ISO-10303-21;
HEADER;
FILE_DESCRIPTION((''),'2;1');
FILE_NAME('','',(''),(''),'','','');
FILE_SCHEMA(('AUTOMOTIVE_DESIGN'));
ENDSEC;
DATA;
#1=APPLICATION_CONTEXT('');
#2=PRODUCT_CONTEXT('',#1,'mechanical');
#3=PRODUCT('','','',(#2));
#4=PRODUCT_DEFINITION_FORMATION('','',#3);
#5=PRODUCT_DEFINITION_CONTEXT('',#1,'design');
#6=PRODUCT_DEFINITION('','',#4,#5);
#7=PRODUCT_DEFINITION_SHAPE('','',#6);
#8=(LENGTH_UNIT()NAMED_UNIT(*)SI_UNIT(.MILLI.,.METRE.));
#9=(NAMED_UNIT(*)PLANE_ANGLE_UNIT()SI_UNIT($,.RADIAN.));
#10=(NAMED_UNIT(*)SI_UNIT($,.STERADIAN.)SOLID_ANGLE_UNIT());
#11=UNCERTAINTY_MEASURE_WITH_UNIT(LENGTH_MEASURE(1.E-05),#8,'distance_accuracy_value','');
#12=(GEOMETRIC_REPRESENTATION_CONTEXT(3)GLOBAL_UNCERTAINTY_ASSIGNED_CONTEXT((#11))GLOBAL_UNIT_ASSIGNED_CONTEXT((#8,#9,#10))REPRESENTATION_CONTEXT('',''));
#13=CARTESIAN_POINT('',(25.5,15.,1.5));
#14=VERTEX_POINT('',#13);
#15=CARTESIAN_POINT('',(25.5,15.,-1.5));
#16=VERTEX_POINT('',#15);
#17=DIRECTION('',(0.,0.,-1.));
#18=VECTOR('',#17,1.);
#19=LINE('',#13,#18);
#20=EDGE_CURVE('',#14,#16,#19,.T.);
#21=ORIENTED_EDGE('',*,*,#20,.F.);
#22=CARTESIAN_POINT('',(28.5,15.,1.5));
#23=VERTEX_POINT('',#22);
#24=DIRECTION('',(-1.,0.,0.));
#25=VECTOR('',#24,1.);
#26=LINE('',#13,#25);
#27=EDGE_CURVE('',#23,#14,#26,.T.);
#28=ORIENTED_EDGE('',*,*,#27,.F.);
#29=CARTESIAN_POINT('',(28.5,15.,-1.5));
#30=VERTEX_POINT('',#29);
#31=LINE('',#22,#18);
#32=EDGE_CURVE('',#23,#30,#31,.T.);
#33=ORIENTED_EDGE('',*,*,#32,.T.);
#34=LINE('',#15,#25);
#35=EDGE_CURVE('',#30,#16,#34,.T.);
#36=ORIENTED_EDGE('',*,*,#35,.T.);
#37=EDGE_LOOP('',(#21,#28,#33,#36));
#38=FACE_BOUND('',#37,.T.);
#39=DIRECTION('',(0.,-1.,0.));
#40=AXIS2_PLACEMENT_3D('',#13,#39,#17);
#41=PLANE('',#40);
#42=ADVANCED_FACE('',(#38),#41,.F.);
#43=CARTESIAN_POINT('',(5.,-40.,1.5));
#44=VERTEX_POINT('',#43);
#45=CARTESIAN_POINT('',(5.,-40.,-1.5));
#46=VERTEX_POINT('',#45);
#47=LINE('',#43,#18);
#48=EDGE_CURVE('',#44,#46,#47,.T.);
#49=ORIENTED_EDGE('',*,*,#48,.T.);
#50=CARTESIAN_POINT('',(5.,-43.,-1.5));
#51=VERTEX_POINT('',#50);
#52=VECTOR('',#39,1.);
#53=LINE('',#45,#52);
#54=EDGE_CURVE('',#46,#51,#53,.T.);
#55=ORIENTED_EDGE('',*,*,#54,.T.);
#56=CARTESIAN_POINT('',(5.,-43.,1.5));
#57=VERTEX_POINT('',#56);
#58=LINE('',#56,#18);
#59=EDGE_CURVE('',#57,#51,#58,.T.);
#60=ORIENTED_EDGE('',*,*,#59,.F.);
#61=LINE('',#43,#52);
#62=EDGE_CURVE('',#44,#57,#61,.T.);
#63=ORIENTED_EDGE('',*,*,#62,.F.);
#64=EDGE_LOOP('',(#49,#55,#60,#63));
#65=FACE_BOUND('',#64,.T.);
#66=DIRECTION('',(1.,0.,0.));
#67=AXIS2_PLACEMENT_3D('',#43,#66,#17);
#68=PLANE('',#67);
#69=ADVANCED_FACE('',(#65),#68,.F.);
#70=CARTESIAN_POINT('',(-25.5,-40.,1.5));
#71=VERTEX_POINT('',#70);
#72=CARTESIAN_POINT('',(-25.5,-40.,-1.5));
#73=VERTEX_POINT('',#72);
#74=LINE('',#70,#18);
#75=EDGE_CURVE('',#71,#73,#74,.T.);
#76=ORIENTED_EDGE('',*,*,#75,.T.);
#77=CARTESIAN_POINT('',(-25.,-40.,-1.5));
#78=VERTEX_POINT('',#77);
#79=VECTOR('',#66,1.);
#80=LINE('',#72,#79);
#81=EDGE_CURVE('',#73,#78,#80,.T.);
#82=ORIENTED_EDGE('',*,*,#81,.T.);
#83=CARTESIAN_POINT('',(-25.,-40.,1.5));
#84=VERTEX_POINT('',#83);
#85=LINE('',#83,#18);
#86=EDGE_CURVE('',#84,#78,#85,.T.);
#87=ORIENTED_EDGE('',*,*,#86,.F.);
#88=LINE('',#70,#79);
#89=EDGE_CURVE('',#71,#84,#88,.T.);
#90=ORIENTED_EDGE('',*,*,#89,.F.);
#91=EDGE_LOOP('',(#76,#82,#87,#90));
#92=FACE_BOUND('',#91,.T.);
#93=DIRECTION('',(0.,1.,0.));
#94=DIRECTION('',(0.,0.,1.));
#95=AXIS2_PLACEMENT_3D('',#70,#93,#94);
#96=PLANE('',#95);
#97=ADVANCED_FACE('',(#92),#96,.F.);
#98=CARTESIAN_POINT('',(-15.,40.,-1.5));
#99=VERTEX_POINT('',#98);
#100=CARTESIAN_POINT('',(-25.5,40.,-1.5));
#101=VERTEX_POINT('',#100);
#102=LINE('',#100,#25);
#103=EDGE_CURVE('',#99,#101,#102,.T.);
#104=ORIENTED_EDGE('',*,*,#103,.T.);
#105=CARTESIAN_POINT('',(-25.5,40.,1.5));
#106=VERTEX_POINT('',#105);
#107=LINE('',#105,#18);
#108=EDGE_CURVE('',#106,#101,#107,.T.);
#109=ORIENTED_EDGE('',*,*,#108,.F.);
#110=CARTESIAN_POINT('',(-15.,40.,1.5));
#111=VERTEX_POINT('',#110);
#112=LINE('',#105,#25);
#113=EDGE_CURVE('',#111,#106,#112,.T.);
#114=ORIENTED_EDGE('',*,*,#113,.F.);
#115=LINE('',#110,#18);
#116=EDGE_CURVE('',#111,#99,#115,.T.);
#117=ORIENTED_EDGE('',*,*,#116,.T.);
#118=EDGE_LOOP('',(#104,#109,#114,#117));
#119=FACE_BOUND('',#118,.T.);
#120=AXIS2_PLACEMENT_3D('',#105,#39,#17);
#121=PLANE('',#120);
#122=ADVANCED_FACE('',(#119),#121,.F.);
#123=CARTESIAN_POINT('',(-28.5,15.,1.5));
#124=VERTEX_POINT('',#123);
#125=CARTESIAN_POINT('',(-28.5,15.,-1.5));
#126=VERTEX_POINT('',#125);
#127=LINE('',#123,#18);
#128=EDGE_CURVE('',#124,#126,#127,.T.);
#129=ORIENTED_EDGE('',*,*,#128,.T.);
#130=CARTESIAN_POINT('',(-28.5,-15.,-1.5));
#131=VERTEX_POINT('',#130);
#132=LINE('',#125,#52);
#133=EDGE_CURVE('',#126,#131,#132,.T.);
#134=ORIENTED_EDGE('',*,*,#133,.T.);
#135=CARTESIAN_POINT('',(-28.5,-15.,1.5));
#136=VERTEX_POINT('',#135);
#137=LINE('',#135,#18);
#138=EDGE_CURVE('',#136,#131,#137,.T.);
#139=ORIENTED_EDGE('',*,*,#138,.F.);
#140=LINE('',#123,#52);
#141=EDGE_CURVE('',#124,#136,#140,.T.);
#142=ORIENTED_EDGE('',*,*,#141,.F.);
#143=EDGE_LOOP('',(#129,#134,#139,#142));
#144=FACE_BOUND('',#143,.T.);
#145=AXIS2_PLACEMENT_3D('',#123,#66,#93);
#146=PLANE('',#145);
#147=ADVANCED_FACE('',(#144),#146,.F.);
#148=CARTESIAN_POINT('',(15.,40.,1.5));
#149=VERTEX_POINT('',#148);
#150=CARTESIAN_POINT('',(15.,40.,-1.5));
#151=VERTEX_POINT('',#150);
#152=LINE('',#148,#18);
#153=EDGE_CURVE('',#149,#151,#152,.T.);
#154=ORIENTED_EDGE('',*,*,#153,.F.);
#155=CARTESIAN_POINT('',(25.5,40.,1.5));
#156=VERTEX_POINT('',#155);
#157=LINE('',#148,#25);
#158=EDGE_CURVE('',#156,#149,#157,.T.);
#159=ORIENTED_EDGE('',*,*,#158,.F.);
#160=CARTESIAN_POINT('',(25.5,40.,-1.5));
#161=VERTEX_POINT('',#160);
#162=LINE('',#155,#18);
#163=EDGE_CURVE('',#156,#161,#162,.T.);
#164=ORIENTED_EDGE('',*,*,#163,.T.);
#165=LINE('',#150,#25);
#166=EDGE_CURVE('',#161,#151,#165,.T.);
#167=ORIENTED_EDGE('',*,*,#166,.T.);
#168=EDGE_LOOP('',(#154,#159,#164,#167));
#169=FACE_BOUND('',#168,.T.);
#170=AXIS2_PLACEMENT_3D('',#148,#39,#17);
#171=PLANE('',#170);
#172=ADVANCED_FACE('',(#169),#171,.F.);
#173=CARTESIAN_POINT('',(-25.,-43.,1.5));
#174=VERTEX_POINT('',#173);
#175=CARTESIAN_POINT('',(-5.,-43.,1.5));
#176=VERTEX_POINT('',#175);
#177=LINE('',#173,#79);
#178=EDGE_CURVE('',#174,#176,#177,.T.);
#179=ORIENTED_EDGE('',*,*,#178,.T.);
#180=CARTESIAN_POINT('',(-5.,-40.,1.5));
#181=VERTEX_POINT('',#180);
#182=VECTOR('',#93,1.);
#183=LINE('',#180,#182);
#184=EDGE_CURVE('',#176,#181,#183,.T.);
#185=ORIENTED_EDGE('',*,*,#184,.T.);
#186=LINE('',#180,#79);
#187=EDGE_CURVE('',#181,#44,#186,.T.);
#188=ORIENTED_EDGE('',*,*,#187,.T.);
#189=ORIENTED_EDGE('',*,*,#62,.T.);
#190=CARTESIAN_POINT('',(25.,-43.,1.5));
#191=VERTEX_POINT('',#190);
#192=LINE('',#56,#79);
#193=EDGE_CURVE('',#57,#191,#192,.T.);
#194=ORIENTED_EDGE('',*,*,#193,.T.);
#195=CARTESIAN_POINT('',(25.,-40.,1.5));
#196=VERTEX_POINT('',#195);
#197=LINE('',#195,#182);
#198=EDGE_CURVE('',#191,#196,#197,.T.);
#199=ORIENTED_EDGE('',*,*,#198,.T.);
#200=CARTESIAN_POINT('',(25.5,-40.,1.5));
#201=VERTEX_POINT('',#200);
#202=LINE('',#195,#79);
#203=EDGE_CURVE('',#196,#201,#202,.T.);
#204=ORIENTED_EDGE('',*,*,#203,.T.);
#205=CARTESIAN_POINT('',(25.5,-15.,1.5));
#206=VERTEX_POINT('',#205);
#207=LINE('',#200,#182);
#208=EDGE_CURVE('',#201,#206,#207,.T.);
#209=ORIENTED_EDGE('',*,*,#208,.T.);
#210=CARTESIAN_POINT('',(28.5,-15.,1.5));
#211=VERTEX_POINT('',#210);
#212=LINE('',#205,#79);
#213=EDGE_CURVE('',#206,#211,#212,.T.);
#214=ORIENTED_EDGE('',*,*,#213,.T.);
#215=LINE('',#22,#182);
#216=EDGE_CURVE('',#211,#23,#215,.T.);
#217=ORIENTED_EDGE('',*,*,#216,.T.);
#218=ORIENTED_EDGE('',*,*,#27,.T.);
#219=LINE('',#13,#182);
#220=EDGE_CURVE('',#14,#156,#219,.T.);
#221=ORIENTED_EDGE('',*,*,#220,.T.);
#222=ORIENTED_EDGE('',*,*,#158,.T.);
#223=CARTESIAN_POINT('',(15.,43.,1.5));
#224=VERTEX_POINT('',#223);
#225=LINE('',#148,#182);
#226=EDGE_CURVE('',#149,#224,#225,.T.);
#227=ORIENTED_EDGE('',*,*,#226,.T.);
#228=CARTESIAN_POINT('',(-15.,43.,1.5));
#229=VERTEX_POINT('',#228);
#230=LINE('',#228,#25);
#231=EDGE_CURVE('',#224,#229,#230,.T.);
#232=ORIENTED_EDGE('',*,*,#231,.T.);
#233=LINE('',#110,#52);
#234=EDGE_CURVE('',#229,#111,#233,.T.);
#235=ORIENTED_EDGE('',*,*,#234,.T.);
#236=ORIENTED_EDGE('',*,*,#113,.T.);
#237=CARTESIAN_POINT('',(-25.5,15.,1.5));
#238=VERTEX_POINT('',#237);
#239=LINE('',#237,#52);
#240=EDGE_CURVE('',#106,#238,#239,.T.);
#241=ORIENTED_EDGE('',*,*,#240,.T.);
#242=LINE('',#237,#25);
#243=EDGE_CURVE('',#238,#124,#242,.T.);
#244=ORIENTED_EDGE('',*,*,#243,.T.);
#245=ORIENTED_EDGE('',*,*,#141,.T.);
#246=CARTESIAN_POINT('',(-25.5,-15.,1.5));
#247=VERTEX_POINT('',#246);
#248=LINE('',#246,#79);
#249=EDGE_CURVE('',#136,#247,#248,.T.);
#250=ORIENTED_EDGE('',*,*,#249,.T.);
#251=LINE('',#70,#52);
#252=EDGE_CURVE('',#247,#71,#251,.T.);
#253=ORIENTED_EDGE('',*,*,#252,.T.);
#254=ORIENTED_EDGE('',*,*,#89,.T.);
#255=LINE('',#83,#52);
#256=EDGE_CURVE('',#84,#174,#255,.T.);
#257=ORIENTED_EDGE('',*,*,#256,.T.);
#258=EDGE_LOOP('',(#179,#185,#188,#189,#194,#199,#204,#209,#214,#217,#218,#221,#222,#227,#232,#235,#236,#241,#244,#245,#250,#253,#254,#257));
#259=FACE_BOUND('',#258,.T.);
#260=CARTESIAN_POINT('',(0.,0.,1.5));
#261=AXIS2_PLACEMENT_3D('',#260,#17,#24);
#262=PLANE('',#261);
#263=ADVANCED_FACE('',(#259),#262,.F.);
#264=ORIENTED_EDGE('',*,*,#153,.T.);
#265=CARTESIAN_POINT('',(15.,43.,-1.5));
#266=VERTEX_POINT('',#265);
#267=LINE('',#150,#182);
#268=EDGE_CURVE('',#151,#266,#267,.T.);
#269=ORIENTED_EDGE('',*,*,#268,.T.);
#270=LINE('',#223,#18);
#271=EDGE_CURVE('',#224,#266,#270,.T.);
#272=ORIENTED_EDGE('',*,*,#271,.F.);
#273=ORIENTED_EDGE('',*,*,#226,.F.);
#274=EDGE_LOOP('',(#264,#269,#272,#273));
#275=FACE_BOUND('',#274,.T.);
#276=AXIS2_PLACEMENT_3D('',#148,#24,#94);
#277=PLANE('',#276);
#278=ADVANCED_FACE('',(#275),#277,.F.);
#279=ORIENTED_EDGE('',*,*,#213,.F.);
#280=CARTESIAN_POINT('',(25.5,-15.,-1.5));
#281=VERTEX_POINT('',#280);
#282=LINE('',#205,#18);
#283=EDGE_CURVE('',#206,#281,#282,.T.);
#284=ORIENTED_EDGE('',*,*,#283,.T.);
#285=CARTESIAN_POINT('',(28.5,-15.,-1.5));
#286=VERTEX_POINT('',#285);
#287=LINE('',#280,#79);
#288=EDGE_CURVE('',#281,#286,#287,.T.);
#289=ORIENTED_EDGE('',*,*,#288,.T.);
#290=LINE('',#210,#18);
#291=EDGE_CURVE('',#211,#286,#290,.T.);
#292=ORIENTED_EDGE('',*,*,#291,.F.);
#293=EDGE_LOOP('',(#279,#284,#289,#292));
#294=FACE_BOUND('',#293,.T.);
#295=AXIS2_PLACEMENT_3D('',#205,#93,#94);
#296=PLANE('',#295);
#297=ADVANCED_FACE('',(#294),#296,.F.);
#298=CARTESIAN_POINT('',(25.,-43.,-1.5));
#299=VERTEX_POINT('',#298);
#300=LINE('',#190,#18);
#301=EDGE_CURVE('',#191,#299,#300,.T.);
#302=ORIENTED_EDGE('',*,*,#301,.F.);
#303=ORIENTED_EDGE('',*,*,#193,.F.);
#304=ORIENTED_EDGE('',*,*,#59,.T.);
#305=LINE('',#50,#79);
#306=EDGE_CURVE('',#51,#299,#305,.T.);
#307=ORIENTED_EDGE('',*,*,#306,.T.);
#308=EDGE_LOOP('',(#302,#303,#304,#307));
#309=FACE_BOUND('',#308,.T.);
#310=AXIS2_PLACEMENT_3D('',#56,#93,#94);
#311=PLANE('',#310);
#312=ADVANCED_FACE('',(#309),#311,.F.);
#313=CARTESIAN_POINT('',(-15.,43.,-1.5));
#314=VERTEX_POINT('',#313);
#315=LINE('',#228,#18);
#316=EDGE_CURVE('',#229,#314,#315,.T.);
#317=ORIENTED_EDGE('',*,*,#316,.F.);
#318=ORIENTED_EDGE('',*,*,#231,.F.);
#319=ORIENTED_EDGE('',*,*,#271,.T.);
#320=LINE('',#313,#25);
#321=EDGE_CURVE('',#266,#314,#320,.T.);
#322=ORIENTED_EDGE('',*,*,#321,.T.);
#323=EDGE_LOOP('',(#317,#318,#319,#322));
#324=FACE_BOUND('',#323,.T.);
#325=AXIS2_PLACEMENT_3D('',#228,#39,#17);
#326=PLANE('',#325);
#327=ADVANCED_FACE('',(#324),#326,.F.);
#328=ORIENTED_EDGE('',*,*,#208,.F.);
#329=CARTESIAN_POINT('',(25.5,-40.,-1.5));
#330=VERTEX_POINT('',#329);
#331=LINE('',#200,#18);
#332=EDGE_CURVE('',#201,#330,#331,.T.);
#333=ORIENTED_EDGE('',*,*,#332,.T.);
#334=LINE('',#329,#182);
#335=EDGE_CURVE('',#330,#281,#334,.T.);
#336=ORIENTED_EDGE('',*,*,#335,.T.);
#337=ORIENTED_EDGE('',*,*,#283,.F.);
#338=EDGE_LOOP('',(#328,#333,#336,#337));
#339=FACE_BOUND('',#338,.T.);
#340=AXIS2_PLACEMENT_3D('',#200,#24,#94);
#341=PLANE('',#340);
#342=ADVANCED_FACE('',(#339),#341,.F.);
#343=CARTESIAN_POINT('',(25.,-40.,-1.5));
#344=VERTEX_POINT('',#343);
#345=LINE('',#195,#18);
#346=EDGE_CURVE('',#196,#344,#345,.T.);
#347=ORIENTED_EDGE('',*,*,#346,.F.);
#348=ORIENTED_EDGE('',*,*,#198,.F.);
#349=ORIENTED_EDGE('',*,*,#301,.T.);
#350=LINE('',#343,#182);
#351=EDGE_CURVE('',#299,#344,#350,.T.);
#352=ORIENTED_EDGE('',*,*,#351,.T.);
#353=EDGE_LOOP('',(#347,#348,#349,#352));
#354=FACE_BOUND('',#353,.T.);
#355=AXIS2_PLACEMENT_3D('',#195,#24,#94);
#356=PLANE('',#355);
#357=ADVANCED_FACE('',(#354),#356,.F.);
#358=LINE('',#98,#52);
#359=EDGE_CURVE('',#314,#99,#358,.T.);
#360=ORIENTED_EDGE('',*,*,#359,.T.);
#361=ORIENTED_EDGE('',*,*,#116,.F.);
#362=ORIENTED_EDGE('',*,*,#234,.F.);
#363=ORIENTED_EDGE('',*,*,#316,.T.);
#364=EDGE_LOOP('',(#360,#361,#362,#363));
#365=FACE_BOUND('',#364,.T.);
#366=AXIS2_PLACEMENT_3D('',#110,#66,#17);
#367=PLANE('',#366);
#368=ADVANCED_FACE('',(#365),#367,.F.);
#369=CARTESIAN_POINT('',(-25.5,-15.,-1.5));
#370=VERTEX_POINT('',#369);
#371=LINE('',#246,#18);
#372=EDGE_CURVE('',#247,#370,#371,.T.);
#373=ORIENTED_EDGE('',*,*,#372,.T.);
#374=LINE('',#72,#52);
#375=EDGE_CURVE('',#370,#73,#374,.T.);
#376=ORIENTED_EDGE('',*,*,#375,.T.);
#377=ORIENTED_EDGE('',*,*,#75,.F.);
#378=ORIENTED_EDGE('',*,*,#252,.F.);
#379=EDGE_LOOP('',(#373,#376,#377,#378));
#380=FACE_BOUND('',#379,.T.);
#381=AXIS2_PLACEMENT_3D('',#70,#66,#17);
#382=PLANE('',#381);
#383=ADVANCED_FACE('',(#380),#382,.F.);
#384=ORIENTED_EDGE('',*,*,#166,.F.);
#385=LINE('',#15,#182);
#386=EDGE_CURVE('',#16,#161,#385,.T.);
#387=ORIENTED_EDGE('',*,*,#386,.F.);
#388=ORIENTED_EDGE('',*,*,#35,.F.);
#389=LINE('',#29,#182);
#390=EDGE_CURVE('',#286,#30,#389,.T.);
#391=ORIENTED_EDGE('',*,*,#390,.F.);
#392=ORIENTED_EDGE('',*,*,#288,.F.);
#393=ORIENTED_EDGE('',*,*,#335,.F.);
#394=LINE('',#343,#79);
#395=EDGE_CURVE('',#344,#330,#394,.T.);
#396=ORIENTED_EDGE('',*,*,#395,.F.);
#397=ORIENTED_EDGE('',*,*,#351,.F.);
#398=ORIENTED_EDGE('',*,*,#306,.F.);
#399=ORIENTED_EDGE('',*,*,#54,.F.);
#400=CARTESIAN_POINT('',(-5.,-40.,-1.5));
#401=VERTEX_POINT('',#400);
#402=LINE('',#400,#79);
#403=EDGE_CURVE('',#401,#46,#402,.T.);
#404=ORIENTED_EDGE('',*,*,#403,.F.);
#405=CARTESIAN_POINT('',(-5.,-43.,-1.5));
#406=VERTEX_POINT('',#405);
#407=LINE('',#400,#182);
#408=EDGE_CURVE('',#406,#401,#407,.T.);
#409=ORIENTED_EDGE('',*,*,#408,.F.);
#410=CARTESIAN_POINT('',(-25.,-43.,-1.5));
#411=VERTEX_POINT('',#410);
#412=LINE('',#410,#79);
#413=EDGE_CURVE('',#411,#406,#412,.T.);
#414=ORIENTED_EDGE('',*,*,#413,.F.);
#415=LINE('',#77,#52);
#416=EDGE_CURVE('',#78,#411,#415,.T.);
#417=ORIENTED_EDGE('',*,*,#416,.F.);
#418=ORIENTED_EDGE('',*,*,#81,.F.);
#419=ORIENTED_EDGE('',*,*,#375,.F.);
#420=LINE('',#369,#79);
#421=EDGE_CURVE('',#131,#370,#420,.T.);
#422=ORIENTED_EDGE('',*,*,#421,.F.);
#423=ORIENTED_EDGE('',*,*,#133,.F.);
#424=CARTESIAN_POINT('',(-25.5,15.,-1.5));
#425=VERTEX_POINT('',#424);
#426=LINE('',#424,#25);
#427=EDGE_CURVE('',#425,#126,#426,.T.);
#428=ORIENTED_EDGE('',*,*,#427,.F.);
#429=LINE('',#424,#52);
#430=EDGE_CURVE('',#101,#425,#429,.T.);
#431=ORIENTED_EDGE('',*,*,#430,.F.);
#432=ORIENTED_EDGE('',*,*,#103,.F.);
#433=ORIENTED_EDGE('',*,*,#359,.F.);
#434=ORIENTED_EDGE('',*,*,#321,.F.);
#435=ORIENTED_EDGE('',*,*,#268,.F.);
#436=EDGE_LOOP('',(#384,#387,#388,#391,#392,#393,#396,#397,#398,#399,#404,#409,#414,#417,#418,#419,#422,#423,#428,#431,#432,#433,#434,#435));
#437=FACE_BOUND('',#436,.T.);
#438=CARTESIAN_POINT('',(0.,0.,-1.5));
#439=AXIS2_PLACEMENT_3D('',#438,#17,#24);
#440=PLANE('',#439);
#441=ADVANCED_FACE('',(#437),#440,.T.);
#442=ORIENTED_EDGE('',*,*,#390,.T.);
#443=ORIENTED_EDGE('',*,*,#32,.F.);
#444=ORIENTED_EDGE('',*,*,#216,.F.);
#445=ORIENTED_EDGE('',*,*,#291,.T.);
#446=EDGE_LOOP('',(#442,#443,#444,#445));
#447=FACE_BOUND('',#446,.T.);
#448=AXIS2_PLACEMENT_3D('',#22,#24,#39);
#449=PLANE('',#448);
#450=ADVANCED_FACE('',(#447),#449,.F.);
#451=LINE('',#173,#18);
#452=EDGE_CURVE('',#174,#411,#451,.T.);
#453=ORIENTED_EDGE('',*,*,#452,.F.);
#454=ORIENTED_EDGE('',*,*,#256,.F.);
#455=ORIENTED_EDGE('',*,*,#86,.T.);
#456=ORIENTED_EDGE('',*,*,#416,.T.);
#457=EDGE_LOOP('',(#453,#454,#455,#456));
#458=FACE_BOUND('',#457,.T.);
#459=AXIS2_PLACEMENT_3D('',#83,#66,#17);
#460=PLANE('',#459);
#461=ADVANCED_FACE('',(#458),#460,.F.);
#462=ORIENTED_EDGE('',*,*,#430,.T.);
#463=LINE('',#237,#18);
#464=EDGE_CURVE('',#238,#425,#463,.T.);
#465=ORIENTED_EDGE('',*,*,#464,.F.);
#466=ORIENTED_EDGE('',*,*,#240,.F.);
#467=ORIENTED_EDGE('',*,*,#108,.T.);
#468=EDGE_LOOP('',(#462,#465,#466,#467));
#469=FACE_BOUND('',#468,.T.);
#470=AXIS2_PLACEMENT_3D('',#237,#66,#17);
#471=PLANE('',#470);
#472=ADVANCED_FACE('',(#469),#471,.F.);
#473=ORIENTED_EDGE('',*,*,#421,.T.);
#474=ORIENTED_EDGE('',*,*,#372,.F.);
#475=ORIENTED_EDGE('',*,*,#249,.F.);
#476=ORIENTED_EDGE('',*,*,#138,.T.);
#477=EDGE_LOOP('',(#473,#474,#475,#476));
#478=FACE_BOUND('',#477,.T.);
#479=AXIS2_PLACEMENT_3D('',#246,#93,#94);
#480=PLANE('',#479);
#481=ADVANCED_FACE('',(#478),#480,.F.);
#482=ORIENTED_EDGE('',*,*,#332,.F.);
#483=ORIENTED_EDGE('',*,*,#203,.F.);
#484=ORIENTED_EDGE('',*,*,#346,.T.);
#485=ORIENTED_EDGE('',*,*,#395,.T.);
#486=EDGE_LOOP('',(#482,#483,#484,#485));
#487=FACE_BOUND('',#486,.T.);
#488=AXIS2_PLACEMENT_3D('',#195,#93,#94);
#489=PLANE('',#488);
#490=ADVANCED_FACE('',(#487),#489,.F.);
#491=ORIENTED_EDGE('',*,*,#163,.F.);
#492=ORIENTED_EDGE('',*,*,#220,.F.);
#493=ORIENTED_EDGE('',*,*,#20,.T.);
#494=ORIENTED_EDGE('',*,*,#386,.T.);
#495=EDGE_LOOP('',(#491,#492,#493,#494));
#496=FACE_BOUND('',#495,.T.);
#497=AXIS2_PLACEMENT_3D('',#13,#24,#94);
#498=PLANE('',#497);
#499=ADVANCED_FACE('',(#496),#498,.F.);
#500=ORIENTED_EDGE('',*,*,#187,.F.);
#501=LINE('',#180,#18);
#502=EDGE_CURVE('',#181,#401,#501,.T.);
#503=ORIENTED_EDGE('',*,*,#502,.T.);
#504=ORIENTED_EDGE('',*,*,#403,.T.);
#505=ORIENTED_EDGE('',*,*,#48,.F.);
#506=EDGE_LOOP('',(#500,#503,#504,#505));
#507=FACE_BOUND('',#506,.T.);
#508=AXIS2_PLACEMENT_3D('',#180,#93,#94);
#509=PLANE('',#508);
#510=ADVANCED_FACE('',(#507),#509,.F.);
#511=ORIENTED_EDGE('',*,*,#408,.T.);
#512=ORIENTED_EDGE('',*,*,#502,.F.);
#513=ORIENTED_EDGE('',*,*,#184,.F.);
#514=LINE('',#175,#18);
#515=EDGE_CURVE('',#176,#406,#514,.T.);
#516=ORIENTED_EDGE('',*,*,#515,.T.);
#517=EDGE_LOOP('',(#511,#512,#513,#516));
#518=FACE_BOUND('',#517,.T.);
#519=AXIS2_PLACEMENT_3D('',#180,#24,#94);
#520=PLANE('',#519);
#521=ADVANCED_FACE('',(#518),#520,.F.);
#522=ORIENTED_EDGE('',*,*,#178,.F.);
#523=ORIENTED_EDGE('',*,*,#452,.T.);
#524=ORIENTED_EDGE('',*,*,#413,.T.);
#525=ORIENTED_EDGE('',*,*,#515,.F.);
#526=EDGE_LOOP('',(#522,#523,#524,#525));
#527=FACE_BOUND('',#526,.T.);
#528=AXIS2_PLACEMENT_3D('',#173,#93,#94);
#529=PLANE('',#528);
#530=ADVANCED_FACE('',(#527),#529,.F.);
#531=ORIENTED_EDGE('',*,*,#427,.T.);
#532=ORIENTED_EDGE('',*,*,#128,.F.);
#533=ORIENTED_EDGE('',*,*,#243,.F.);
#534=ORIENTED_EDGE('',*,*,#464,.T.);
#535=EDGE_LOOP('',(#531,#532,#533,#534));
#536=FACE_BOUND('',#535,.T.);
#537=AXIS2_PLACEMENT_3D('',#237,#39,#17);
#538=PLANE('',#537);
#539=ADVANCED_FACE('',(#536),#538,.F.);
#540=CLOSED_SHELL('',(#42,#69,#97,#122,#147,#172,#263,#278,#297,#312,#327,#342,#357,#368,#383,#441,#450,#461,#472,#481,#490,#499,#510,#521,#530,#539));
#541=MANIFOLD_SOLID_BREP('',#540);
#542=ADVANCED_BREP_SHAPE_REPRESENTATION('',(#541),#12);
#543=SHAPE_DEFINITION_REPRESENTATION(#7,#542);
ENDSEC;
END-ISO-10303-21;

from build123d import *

# Parameters (mm, degrees)
BOSS_EXTRUDE1_DEPTH = 1.5


with BuildPart() as part:
    # Sketch1 → Boss-Extrude1 (new body, symmetric)
    with BuildSketch(Plane.XY):
        Polygon((15, 40), (25.5, 40), (25.5, 15), (28.5, 15), (28.5, -15), (25.5, -15), (25.5, -40), (25, -40), (25, -43), (5, -43), (5, -40), (-5, -40), (-5, -43), (-25, -43), (-25, -40), (-25.5, -40), (-25.5, -15), (-28.5, -15), (-28.5, 15), (-25.5, 15), (-25.5, 40), (-15, 40), (-15, 43), (15, 43), align=None)
    extrude(amount=BOSS_EXTRUDE1_DEPTH, both=True)


solid = part.part
